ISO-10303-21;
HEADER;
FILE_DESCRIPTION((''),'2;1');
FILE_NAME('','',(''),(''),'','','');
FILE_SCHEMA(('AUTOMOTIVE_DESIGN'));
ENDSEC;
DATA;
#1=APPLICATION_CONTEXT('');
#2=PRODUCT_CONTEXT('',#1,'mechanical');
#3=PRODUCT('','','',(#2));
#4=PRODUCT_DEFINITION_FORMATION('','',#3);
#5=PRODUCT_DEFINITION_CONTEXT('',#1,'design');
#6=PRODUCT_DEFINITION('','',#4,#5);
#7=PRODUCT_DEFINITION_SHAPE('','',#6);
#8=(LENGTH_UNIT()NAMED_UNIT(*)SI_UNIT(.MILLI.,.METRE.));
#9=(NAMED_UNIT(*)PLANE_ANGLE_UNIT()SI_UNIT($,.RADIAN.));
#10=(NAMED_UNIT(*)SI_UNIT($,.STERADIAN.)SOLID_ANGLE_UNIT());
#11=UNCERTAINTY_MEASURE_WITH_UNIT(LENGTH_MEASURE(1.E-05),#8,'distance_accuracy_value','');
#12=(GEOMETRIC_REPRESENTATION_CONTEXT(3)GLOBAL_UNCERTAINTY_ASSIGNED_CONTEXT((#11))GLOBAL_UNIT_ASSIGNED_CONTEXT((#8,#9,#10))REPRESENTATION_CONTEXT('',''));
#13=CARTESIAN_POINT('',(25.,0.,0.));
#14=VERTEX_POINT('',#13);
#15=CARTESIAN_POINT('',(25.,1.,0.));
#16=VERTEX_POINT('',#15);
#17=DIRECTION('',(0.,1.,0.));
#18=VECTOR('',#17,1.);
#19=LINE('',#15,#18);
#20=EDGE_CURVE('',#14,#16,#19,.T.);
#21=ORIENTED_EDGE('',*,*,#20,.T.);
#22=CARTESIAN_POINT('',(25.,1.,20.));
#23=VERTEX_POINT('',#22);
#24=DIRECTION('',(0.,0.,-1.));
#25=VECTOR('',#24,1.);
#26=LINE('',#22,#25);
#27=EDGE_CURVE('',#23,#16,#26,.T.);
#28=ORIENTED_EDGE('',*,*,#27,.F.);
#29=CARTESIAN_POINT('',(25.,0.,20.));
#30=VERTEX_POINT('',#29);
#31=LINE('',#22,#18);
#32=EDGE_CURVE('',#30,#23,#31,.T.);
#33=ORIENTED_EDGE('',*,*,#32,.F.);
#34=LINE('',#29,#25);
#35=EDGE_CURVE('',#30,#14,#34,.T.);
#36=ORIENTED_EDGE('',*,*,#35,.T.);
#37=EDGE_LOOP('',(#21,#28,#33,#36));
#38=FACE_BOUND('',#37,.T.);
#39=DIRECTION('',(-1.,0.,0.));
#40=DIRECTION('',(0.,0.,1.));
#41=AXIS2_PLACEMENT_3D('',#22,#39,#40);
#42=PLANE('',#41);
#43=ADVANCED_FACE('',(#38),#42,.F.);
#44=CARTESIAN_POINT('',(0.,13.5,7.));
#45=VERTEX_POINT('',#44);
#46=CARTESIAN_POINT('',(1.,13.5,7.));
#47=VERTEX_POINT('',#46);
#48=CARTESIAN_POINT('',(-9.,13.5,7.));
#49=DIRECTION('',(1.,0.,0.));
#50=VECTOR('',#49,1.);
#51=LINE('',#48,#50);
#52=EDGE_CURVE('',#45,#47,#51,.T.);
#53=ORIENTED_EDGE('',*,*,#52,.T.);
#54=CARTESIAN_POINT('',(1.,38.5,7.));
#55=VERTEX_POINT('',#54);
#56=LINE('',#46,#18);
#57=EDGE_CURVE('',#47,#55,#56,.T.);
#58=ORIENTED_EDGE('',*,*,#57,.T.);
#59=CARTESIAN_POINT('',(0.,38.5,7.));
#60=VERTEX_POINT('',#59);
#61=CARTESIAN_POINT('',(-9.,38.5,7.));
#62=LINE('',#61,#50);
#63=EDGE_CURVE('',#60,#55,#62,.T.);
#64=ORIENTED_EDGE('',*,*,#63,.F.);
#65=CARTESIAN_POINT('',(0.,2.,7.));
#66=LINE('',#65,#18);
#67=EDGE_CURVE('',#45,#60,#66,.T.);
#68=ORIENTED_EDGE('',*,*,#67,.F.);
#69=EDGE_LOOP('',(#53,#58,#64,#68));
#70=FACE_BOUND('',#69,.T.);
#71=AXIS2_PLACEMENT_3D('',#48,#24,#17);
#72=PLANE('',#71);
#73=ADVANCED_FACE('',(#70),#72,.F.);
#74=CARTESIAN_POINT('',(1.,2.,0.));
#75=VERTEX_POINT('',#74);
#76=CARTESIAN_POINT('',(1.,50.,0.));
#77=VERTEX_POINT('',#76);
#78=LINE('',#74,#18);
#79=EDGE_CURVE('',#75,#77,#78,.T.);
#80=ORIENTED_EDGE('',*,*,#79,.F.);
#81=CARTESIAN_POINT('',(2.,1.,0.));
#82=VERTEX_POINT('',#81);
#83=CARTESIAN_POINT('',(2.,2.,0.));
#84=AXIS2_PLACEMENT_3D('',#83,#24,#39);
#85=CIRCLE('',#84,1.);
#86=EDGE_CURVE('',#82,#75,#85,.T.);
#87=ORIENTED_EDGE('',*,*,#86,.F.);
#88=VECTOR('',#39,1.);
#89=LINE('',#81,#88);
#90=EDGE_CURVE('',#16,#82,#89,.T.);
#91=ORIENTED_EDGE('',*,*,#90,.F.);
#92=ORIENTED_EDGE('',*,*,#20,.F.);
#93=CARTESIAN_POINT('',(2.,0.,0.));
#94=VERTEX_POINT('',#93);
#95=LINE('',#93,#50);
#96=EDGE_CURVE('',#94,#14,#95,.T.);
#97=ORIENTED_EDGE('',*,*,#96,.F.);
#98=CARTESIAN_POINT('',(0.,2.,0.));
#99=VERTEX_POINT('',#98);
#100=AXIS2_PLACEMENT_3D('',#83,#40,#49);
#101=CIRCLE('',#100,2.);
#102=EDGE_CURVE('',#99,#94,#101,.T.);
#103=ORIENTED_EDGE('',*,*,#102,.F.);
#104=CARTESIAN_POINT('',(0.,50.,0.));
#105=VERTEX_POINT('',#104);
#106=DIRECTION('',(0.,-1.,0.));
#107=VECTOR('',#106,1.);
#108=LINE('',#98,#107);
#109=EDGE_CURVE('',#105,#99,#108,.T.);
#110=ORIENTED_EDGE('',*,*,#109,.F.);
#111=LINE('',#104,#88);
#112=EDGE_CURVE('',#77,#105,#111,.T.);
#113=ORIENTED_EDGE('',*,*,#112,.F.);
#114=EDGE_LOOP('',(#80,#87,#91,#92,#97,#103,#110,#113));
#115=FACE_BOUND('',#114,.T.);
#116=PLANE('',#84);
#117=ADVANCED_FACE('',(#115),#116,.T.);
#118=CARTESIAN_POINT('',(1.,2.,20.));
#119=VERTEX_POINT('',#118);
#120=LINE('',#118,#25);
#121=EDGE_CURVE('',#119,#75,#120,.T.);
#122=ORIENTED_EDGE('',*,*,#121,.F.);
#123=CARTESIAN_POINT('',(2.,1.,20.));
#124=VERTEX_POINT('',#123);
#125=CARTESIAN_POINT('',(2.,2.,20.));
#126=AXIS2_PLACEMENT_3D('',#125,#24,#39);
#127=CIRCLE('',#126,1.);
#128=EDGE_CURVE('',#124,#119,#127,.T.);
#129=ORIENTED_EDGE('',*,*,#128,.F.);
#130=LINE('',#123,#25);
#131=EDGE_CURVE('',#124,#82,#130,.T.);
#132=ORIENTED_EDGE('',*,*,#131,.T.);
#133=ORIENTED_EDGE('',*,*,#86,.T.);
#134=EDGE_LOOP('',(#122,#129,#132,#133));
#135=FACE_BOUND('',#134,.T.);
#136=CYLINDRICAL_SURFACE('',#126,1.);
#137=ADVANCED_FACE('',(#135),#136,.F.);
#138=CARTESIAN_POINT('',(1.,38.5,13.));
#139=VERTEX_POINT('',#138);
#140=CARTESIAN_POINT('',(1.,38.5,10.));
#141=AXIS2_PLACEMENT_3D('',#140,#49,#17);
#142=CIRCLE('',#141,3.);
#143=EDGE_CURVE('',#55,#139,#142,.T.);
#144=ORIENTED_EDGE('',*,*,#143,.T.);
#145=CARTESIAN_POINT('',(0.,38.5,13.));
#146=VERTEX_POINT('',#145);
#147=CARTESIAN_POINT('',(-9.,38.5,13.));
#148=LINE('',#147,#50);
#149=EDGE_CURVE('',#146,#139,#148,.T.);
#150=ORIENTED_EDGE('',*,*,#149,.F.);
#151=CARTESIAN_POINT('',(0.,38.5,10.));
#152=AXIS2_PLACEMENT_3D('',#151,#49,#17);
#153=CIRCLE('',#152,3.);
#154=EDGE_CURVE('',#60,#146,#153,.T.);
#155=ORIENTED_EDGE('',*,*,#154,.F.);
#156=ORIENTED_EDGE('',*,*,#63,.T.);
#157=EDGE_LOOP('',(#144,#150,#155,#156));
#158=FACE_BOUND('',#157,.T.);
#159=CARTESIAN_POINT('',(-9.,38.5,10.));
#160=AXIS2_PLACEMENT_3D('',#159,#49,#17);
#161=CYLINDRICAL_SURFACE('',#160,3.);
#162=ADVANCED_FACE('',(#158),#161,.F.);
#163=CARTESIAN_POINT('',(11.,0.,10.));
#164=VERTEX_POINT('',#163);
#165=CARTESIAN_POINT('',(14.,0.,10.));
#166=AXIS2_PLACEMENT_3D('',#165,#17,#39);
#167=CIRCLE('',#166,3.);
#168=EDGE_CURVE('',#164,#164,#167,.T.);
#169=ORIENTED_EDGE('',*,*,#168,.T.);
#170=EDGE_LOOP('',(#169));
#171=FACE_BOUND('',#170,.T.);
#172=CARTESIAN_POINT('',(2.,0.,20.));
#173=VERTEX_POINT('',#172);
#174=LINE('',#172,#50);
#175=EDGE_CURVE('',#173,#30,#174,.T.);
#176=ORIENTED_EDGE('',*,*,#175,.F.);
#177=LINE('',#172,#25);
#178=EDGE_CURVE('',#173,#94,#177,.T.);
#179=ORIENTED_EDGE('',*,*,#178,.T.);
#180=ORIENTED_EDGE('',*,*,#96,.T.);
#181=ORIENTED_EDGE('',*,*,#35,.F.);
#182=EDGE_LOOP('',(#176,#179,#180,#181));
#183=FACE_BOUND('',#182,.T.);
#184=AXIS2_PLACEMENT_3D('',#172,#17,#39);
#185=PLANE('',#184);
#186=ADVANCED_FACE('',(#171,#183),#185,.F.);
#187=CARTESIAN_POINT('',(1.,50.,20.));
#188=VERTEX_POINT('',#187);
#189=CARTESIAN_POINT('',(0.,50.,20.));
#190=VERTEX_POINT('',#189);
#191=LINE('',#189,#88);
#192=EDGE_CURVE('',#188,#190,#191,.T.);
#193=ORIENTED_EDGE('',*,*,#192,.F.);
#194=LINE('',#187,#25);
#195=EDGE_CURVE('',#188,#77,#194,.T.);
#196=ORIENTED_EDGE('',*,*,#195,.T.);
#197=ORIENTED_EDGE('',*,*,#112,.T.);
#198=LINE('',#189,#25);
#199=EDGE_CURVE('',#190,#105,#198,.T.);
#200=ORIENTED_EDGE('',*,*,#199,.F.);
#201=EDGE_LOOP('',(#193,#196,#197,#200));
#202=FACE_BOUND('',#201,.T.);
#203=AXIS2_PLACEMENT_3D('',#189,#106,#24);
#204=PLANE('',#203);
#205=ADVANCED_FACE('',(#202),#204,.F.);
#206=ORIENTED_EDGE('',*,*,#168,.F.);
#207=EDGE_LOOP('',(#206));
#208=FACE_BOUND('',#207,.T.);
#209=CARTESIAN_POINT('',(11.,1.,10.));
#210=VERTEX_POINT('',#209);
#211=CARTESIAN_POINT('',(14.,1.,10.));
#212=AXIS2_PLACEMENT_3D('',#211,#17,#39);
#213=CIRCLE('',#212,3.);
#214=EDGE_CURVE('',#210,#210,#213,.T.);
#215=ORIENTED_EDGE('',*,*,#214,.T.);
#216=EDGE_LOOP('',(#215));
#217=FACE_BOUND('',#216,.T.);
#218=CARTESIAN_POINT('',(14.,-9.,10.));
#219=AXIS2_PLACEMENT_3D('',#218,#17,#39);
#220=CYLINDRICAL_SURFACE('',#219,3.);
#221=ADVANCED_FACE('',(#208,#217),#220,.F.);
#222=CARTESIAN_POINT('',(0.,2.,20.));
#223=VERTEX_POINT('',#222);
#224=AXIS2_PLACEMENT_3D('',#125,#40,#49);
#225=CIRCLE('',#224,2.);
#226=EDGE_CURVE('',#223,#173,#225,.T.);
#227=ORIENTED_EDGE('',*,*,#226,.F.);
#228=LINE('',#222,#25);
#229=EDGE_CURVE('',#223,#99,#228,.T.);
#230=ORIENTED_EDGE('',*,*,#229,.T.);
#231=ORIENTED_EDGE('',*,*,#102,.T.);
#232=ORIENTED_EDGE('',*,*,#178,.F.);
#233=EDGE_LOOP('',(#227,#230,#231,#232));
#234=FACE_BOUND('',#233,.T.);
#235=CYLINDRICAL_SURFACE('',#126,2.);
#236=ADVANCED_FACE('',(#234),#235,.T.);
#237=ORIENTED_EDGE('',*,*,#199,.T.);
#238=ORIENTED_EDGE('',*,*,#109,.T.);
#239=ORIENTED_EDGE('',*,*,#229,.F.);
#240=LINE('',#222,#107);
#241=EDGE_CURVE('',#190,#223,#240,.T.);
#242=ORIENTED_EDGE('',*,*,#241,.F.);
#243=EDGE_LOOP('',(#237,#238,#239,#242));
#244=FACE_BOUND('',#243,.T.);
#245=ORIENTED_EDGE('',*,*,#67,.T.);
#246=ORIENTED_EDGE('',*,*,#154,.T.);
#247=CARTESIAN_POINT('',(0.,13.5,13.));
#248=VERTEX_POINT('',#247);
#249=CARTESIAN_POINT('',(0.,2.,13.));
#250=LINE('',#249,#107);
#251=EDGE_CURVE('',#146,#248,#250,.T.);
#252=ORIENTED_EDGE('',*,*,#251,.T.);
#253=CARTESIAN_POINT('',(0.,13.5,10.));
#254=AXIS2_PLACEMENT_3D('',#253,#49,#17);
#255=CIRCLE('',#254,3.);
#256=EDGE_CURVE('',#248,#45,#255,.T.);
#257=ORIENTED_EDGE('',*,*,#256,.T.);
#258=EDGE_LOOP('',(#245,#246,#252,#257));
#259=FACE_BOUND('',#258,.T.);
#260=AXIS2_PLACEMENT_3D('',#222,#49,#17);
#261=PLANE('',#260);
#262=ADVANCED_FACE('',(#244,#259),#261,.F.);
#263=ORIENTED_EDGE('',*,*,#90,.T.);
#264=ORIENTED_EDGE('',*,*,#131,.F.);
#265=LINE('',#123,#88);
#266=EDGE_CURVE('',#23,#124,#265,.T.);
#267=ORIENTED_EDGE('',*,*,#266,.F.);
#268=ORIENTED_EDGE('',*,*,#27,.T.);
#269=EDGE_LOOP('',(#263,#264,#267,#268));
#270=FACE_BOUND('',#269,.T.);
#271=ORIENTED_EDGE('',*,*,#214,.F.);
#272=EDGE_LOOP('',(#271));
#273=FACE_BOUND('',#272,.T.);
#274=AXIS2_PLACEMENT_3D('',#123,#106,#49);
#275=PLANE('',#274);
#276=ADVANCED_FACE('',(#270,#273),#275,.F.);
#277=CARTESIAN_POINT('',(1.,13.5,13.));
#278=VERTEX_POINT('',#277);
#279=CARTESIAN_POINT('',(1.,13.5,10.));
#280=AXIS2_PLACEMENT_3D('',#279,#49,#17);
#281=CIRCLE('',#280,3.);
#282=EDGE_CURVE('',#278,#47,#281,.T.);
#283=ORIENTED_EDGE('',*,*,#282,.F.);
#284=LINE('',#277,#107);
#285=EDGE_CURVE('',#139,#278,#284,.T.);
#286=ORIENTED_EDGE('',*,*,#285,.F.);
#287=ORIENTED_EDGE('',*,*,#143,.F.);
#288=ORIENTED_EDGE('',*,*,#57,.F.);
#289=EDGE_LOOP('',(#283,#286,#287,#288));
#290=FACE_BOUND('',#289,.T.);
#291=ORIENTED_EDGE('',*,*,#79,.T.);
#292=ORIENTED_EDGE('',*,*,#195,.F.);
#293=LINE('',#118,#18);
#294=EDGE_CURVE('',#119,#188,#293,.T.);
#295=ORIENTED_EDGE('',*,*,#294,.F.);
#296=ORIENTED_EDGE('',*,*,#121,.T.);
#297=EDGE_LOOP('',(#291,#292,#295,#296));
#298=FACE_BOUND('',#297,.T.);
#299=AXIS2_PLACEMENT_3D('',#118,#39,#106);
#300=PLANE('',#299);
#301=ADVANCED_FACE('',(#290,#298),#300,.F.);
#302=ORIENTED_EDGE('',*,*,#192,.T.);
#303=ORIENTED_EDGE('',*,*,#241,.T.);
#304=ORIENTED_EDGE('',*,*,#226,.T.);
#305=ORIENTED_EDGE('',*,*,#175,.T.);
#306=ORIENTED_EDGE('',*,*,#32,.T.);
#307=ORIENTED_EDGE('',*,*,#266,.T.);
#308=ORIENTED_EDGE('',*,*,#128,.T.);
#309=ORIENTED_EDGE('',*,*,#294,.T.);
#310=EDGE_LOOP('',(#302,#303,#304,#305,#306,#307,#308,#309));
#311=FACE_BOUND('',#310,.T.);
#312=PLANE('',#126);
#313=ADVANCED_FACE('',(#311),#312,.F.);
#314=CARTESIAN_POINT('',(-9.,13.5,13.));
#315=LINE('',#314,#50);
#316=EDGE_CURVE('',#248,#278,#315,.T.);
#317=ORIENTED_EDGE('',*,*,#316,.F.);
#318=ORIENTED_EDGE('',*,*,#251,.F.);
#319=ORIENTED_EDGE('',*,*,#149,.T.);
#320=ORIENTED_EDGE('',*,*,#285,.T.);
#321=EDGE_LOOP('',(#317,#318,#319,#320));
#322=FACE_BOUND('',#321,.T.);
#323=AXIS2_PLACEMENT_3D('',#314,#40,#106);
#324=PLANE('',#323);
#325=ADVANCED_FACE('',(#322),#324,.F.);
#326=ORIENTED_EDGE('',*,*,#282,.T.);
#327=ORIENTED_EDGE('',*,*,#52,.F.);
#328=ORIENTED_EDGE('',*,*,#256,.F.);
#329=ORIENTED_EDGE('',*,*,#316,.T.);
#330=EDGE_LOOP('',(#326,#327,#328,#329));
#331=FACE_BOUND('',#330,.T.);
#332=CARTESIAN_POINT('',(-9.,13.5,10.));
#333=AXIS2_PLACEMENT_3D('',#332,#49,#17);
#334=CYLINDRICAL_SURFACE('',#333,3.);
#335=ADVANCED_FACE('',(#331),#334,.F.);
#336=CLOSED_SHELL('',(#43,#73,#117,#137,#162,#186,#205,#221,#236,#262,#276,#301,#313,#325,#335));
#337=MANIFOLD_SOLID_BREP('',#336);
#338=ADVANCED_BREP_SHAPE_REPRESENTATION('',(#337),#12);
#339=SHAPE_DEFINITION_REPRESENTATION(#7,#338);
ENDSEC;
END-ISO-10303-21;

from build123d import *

# Parameters (mm, degrees)
BOSS_EXTRUDE1_DEPTH = 20
CUT_EXTRUDE1_DEPTH  = 10
SKETCH4_R           = 3
CUT_EXTRUDE2_DEPTH  = 10


with BuildPart() as part:
    # Sketch2 → Boss-Extrude1 (new body)
    with BuildSketch(Plane.XY):
        with BuildLine():
            Line((0, 2), (0, 50))
            Line((0, 50), (1, 50))
            Line((1, 50), (1, 2))
            ThreePointArc((1, 2), (1.292893219, 1.292893219), (2, 1))
            Line((2, 1), (25, 1))
            Line((25, 1), (25, 0))
            Line((25, 0), (2, 0))
            ThreePointArc((2, 0), (0.585786438, 0.585786438), (0, 2))
        make_face()
    extrude(amount=BOSS_EXTRUDE1_DEPTH)

    # Sketch3 → Cut-Extrude1 (cut)
    with BuildSketch(Plane(origin=(1, 0, 0), x_dir=(0, 0, -1), z_dir=(1, 0, 0))):
        with BuildLine():
            Line((-13, 13.5), (-13, 38.5))
            ThreePointArc((-13, 38.5), (-10, 41.5), (-7, 38.5))
            Line((-7, 38.5), (-7, 13.5))
            ThreePointArc((-7, 13.5), (-10, 10.5), (-13, 13.5))
        make_face()
    extrude(amount=-CUT_EXTRUDE1_DEPTH, mode=Mode.SUBTRACT)

    # Sketch4 → Cut-Extrude2 (cut)
    with BuildSketch(Plane(origin=(0, 1, 0), x_dir=(1, 0, 0), z_dir=(0, 1, 0))):
        with Locations((14, -10)):
            Circle(SKETCH4_R)
    extrude(amount=-CUT_EXTRUDE2_DEPTH, mode=Mode.SUBTRACT)


solid = part.part
